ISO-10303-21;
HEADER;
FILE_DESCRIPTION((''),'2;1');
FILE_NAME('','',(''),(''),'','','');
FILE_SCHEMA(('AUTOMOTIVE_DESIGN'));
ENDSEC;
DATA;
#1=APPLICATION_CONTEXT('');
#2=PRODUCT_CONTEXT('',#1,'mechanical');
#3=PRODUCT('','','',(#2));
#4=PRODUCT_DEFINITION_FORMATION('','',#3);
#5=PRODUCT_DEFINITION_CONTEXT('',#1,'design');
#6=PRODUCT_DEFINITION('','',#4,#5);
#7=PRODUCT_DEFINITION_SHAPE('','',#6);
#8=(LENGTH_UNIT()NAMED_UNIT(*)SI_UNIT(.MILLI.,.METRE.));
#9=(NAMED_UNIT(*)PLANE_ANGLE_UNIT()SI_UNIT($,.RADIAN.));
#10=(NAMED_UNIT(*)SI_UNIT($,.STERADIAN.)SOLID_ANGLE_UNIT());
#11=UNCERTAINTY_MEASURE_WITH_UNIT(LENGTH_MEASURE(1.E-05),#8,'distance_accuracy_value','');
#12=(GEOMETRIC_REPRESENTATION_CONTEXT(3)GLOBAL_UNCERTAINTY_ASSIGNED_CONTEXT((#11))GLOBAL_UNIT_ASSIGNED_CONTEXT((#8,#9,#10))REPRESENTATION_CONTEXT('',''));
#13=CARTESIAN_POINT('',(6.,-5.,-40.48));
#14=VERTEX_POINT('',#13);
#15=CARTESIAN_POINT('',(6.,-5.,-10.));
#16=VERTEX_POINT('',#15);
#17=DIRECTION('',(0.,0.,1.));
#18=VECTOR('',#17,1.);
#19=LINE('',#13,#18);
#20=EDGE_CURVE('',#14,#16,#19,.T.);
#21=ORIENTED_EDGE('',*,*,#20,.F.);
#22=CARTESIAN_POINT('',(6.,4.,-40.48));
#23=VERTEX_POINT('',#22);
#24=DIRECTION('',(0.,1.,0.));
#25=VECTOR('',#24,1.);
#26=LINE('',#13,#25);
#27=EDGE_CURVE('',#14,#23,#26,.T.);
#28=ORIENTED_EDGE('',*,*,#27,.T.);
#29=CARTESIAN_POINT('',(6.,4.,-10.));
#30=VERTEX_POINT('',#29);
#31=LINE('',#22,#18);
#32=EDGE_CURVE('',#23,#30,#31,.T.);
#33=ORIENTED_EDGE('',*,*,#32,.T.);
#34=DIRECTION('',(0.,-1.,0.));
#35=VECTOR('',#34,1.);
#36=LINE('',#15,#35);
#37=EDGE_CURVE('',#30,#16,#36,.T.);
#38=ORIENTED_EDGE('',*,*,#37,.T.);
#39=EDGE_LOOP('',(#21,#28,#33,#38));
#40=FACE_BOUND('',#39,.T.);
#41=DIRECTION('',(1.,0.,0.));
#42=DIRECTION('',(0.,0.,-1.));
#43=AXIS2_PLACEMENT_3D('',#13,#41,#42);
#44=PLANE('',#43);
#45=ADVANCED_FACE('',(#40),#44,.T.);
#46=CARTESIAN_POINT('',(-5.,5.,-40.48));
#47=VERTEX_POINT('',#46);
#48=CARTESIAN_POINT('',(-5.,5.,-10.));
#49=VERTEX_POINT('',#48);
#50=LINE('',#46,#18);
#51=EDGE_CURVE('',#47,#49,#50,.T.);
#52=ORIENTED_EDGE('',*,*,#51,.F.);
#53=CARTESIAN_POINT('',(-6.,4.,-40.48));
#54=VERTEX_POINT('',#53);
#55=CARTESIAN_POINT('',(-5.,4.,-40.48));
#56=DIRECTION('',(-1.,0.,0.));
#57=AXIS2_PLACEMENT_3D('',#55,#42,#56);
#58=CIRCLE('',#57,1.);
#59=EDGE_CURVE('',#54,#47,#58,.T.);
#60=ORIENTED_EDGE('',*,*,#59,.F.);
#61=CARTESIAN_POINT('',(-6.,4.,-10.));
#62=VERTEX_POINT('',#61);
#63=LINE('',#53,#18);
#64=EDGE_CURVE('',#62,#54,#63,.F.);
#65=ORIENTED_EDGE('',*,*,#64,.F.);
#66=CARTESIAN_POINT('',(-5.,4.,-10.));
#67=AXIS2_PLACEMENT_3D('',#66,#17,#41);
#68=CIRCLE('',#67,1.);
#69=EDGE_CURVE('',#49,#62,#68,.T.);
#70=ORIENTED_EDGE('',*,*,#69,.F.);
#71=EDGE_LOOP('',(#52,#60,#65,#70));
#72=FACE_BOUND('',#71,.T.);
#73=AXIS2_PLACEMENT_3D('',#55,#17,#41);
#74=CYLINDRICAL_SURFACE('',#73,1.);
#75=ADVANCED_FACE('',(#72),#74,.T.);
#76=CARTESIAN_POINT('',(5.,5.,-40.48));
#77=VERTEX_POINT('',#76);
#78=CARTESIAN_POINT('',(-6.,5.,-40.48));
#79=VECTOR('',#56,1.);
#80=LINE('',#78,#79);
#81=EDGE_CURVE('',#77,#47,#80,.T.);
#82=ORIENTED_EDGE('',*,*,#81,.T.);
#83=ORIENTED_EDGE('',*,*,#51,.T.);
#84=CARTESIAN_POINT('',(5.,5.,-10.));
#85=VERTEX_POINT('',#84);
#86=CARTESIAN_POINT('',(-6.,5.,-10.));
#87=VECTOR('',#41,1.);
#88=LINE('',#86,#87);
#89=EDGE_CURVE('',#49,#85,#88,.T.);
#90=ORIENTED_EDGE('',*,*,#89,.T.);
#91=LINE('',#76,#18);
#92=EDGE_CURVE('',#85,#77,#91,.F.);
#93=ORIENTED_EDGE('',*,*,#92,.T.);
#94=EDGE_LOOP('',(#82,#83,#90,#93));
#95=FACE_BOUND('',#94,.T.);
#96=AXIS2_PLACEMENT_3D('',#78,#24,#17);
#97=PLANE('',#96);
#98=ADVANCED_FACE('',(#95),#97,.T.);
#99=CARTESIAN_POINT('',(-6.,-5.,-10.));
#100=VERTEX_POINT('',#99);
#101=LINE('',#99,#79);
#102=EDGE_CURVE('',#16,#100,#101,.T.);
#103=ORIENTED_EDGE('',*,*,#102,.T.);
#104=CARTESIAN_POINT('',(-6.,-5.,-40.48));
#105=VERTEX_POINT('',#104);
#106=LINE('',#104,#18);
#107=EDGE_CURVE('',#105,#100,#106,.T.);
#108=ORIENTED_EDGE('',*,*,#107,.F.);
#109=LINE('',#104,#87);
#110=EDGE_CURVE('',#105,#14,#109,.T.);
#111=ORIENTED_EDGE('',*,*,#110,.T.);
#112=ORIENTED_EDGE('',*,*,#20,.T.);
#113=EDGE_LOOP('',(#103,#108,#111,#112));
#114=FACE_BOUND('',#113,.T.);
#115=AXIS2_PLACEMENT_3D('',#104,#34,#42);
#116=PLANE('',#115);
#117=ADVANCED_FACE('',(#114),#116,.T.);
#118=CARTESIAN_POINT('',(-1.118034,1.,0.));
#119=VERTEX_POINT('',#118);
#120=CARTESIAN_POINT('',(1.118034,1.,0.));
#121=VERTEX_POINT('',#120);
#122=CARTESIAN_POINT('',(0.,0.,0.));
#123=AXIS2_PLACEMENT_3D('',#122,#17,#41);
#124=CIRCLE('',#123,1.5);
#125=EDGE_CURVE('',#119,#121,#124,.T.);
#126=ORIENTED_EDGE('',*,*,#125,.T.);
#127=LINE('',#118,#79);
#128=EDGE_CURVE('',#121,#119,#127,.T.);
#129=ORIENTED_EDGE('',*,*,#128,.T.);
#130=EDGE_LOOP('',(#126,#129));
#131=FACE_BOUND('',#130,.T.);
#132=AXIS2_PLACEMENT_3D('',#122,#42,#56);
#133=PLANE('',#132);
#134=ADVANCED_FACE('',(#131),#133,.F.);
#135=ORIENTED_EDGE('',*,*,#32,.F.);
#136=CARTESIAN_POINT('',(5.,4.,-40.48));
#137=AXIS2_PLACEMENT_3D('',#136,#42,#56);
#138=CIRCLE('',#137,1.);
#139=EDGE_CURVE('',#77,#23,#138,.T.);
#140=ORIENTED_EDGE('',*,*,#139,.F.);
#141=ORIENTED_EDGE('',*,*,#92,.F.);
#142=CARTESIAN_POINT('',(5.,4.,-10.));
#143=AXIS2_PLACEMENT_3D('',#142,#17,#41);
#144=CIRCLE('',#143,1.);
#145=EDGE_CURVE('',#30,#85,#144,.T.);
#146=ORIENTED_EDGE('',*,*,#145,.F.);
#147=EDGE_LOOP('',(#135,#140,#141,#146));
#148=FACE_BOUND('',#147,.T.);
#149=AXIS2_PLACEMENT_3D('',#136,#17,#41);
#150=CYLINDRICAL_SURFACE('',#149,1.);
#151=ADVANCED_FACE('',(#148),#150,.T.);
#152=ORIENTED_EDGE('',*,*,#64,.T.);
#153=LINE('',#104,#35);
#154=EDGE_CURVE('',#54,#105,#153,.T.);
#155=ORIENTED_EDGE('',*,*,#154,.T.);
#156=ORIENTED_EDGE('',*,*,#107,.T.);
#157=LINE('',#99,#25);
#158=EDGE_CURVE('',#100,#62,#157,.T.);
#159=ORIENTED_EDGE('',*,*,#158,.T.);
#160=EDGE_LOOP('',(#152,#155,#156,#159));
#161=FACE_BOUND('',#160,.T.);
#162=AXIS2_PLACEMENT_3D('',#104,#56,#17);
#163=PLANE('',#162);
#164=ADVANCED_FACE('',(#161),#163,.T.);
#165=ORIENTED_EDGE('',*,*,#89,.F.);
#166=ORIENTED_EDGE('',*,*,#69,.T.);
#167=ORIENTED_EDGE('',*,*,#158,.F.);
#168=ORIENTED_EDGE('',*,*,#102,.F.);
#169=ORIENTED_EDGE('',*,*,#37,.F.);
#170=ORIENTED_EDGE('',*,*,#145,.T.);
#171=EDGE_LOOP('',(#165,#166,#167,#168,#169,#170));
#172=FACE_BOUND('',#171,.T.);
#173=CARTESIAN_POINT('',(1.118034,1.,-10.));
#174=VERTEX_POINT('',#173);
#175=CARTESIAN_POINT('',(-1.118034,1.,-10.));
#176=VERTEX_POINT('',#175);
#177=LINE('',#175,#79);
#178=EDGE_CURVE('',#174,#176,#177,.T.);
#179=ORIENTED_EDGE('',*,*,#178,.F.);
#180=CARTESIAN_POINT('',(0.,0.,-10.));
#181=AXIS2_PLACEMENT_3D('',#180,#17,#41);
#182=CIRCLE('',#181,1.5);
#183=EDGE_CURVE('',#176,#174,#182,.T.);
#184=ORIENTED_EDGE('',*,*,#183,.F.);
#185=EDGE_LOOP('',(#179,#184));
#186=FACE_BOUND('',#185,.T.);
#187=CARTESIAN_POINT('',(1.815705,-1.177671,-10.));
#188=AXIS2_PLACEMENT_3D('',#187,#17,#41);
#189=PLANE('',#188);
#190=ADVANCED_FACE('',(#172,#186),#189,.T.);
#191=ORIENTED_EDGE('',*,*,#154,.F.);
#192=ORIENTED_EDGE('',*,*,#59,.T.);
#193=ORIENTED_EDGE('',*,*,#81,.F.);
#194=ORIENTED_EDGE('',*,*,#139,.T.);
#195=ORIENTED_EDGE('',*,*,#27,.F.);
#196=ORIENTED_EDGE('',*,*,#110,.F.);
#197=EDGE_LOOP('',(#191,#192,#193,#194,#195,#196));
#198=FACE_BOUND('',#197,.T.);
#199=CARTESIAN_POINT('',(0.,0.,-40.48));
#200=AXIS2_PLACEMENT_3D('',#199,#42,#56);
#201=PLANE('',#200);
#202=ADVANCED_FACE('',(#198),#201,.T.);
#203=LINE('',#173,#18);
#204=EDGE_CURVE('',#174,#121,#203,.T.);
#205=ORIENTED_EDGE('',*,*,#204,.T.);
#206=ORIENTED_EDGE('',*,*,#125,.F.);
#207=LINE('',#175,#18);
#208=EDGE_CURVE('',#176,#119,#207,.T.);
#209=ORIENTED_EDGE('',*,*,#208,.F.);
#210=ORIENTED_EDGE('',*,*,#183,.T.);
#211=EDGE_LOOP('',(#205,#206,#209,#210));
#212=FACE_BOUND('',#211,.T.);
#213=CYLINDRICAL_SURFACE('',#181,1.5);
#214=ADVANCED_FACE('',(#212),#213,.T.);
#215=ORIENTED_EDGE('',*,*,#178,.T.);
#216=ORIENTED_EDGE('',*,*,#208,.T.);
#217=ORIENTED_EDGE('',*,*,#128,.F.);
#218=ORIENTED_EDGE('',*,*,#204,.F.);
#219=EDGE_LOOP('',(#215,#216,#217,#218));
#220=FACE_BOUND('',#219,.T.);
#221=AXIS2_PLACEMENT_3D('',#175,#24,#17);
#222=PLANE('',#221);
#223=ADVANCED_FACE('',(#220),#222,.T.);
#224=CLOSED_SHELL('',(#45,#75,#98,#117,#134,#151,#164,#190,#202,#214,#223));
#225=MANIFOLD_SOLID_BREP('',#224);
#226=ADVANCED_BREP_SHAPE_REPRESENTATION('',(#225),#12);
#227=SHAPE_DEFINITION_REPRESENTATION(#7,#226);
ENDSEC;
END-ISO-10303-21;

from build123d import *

# Parameters (mm, degrees)
SKETCH1_W           = 12
SKETCH1_H           = 10
BOSS_EXTRUDE1_DEPTH = 40.48
SKETCH2_OUTSIDE_W   = 22.678
SKETCH2_OUTSIDE_H   = 20.678
CUT_EXTRUDE1_DEPTH  = 10
FILLET1_R           = 1


with BuildPart() as part:
    # Sketch1 → Boss-Extrude1 (new body)
    with BuildSketch(Plane.XY):
        Rectangle(SKETCH1_W, SKETCH1_H)
    extrude(amount=-BOSS_EXTRUDE1_DEPTH)

    # Sketch2 outside → Cut-Extrude1 (cut)
    with BuildSketch(Plane.XY):
        Rectangle(SKETCH2_OUTSIDE_W, SKETCH2_OUTSIDE_H)
        with BuildLine():
            Line((-1.118033989, 1), (1.118033989, 1))
            ThreePointArc((1.118033989, 1), (0, -1.5), (-1.118033989, 1))
        make_face(mode=Mode.SUBTRACT)
    extrude(amount=-CUT_EXTRUDE1_DEPTH, mode=Mode.SUBTRACT)

    # Fillet1
    fillet1_edges = [part.edges().sort_by_distance(p)[0] for p in [
        (-6, 5, -25.24),
        (6, 5, -25.24),
    ]]
    fillet(fillet1_edges, radius=FILLET1_R)


solid = part.part
